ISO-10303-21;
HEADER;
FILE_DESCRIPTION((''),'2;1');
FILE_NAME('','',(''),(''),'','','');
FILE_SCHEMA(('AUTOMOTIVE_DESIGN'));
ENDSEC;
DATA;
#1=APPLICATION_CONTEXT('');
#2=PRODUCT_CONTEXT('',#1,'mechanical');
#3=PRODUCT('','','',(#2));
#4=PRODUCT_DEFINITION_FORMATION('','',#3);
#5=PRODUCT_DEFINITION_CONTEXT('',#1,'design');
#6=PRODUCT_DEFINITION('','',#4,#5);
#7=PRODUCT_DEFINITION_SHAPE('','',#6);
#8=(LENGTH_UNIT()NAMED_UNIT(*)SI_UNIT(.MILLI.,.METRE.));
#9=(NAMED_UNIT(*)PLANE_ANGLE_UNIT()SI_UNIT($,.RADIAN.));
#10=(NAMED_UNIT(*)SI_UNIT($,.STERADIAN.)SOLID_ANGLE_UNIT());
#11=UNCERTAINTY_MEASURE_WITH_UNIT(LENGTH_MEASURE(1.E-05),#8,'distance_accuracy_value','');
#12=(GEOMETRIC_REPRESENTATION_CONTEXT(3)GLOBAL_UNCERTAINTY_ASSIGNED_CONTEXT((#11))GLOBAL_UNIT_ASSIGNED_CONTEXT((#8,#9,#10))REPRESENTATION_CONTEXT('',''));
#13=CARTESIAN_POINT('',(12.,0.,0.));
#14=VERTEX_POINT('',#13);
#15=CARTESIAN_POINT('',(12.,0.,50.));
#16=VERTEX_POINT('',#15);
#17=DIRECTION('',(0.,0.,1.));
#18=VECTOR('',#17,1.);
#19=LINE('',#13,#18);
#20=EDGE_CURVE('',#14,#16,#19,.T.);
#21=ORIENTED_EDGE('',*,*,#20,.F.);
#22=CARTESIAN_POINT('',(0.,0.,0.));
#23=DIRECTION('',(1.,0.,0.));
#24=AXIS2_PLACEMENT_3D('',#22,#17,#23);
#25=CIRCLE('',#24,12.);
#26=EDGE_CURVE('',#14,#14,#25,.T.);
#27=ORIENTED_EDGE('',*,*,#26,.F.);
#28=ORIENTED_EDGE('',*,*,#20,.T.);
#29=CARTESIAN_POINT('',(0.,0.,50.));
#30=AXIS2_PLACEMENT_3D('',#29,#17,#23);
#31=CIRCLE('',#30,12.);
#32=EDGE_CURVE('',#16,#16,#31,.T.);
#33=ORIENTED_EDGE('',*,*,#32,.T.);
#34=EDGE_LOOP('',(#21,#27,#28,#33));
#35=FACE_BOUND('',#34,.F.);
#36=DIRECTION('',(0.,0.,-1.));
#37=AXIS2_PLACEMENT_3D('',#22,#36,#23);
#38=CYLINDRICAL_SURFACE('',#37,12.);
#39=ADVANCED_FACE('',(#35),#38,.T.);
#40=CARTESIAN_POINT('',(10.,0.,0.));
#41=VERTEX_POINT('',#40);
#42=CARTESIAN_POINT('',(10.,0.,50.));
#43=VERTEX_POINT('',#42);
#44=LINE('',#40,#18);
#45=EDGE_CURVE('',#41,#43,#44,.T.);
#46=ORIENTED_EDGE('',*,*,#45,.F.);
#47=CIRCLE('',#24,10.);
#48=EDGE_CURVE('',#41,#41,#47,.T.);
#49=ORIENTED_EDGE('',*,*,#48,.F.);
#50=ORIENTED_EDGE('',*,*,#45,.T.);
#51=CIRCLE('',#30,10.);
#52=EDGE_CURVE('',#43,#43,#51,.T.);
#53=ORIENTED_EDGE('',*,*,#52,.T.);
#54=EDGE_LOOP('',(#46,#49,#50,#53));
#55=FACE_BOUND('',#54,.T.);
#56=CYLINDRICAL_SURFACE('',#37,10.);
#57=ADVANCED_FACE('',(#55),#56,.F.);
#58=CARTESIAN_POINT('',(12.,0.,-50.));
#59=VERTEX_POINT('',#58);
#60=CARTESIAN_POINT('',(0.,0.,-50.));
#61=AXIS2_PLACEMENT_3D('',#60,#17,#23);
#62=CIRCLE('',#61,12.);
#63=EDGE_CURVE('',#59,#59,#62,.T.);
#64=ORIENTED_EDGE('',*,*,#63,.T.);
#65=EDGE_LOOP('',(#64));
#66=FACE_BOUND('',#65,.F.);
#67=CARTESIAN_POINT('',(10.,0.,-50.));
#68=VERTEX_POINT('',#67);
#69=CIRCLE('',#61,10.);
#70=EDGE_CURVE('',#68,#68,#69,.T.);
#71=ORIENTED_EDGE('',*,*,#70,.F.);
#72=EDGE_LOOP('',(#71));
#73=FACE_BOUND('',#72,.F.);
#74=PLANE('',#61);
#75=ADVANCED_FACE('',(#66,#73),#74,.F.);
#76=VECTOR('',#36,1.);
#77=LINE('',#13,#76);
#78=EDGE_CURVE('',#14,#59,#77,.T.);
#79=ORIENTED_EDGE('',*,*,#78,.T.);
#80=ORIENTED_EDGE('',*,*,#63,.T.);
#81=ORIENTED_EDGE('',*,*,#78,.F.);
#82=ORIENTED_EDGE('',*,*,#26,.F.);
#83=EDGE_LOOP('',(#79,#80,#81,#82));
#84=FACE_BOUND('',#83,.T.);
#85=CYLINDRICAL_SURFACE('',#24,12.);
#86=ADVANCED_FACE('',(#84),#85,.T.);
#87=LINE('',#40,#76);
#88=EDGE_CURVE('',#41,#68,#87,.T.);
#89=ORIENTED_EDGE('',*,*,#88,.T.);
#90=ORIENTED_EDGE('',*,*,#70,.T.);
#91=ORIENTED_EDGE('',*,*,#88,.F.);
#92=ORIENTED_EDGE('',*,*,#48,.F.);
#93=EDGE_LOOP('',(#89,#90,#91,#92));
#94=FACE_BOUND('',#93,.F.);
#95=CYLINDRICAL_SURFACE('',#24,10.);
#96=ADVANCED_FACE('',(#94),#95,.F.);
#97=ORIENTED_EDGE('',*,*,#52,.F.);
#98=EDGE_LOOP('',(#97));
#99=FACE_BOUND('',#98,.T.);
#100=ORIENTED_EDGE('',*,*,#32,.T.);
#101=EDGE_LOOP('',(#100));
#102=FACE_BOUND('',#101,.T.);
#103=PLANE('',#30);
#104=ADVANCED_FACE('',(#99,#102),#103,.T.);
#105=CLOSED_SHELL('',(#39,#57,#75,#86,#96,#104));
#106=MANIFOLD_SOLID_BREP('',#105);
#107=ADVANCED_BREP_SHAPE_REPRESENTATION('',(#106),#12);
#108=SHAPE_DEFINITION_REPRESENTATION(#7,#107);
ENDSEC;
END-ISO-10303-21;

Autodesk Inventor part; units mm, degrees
ref_plane "YZ Plane" through (0, 0, 0) normal (1, 0, 0) x (0, 1, 0)
ref_plane "XZ Plane" through (0, 0, 0) normal (0, 1, 0) x (-1, 0, 0)
ref_plane "XY Plane" through (0, 0, 0) normal (0, 0, 1) x (1, 0, 0)
sketch "Sketch1" plane through (0, 0, 0) normal (0, 0, 1) x (1, 0, 0)
  circle A0 centre (0, 0) radius 10
  circle A1 centre (0, 0) radius 12
  dimension "d0" = 20
  dimension "d1" = 2
extrude "Extrusion1" add sketch "Sketch1" along normal mid plane 100
properties part number "DPLX_P025_Quartz_Tube" material "Glass"
